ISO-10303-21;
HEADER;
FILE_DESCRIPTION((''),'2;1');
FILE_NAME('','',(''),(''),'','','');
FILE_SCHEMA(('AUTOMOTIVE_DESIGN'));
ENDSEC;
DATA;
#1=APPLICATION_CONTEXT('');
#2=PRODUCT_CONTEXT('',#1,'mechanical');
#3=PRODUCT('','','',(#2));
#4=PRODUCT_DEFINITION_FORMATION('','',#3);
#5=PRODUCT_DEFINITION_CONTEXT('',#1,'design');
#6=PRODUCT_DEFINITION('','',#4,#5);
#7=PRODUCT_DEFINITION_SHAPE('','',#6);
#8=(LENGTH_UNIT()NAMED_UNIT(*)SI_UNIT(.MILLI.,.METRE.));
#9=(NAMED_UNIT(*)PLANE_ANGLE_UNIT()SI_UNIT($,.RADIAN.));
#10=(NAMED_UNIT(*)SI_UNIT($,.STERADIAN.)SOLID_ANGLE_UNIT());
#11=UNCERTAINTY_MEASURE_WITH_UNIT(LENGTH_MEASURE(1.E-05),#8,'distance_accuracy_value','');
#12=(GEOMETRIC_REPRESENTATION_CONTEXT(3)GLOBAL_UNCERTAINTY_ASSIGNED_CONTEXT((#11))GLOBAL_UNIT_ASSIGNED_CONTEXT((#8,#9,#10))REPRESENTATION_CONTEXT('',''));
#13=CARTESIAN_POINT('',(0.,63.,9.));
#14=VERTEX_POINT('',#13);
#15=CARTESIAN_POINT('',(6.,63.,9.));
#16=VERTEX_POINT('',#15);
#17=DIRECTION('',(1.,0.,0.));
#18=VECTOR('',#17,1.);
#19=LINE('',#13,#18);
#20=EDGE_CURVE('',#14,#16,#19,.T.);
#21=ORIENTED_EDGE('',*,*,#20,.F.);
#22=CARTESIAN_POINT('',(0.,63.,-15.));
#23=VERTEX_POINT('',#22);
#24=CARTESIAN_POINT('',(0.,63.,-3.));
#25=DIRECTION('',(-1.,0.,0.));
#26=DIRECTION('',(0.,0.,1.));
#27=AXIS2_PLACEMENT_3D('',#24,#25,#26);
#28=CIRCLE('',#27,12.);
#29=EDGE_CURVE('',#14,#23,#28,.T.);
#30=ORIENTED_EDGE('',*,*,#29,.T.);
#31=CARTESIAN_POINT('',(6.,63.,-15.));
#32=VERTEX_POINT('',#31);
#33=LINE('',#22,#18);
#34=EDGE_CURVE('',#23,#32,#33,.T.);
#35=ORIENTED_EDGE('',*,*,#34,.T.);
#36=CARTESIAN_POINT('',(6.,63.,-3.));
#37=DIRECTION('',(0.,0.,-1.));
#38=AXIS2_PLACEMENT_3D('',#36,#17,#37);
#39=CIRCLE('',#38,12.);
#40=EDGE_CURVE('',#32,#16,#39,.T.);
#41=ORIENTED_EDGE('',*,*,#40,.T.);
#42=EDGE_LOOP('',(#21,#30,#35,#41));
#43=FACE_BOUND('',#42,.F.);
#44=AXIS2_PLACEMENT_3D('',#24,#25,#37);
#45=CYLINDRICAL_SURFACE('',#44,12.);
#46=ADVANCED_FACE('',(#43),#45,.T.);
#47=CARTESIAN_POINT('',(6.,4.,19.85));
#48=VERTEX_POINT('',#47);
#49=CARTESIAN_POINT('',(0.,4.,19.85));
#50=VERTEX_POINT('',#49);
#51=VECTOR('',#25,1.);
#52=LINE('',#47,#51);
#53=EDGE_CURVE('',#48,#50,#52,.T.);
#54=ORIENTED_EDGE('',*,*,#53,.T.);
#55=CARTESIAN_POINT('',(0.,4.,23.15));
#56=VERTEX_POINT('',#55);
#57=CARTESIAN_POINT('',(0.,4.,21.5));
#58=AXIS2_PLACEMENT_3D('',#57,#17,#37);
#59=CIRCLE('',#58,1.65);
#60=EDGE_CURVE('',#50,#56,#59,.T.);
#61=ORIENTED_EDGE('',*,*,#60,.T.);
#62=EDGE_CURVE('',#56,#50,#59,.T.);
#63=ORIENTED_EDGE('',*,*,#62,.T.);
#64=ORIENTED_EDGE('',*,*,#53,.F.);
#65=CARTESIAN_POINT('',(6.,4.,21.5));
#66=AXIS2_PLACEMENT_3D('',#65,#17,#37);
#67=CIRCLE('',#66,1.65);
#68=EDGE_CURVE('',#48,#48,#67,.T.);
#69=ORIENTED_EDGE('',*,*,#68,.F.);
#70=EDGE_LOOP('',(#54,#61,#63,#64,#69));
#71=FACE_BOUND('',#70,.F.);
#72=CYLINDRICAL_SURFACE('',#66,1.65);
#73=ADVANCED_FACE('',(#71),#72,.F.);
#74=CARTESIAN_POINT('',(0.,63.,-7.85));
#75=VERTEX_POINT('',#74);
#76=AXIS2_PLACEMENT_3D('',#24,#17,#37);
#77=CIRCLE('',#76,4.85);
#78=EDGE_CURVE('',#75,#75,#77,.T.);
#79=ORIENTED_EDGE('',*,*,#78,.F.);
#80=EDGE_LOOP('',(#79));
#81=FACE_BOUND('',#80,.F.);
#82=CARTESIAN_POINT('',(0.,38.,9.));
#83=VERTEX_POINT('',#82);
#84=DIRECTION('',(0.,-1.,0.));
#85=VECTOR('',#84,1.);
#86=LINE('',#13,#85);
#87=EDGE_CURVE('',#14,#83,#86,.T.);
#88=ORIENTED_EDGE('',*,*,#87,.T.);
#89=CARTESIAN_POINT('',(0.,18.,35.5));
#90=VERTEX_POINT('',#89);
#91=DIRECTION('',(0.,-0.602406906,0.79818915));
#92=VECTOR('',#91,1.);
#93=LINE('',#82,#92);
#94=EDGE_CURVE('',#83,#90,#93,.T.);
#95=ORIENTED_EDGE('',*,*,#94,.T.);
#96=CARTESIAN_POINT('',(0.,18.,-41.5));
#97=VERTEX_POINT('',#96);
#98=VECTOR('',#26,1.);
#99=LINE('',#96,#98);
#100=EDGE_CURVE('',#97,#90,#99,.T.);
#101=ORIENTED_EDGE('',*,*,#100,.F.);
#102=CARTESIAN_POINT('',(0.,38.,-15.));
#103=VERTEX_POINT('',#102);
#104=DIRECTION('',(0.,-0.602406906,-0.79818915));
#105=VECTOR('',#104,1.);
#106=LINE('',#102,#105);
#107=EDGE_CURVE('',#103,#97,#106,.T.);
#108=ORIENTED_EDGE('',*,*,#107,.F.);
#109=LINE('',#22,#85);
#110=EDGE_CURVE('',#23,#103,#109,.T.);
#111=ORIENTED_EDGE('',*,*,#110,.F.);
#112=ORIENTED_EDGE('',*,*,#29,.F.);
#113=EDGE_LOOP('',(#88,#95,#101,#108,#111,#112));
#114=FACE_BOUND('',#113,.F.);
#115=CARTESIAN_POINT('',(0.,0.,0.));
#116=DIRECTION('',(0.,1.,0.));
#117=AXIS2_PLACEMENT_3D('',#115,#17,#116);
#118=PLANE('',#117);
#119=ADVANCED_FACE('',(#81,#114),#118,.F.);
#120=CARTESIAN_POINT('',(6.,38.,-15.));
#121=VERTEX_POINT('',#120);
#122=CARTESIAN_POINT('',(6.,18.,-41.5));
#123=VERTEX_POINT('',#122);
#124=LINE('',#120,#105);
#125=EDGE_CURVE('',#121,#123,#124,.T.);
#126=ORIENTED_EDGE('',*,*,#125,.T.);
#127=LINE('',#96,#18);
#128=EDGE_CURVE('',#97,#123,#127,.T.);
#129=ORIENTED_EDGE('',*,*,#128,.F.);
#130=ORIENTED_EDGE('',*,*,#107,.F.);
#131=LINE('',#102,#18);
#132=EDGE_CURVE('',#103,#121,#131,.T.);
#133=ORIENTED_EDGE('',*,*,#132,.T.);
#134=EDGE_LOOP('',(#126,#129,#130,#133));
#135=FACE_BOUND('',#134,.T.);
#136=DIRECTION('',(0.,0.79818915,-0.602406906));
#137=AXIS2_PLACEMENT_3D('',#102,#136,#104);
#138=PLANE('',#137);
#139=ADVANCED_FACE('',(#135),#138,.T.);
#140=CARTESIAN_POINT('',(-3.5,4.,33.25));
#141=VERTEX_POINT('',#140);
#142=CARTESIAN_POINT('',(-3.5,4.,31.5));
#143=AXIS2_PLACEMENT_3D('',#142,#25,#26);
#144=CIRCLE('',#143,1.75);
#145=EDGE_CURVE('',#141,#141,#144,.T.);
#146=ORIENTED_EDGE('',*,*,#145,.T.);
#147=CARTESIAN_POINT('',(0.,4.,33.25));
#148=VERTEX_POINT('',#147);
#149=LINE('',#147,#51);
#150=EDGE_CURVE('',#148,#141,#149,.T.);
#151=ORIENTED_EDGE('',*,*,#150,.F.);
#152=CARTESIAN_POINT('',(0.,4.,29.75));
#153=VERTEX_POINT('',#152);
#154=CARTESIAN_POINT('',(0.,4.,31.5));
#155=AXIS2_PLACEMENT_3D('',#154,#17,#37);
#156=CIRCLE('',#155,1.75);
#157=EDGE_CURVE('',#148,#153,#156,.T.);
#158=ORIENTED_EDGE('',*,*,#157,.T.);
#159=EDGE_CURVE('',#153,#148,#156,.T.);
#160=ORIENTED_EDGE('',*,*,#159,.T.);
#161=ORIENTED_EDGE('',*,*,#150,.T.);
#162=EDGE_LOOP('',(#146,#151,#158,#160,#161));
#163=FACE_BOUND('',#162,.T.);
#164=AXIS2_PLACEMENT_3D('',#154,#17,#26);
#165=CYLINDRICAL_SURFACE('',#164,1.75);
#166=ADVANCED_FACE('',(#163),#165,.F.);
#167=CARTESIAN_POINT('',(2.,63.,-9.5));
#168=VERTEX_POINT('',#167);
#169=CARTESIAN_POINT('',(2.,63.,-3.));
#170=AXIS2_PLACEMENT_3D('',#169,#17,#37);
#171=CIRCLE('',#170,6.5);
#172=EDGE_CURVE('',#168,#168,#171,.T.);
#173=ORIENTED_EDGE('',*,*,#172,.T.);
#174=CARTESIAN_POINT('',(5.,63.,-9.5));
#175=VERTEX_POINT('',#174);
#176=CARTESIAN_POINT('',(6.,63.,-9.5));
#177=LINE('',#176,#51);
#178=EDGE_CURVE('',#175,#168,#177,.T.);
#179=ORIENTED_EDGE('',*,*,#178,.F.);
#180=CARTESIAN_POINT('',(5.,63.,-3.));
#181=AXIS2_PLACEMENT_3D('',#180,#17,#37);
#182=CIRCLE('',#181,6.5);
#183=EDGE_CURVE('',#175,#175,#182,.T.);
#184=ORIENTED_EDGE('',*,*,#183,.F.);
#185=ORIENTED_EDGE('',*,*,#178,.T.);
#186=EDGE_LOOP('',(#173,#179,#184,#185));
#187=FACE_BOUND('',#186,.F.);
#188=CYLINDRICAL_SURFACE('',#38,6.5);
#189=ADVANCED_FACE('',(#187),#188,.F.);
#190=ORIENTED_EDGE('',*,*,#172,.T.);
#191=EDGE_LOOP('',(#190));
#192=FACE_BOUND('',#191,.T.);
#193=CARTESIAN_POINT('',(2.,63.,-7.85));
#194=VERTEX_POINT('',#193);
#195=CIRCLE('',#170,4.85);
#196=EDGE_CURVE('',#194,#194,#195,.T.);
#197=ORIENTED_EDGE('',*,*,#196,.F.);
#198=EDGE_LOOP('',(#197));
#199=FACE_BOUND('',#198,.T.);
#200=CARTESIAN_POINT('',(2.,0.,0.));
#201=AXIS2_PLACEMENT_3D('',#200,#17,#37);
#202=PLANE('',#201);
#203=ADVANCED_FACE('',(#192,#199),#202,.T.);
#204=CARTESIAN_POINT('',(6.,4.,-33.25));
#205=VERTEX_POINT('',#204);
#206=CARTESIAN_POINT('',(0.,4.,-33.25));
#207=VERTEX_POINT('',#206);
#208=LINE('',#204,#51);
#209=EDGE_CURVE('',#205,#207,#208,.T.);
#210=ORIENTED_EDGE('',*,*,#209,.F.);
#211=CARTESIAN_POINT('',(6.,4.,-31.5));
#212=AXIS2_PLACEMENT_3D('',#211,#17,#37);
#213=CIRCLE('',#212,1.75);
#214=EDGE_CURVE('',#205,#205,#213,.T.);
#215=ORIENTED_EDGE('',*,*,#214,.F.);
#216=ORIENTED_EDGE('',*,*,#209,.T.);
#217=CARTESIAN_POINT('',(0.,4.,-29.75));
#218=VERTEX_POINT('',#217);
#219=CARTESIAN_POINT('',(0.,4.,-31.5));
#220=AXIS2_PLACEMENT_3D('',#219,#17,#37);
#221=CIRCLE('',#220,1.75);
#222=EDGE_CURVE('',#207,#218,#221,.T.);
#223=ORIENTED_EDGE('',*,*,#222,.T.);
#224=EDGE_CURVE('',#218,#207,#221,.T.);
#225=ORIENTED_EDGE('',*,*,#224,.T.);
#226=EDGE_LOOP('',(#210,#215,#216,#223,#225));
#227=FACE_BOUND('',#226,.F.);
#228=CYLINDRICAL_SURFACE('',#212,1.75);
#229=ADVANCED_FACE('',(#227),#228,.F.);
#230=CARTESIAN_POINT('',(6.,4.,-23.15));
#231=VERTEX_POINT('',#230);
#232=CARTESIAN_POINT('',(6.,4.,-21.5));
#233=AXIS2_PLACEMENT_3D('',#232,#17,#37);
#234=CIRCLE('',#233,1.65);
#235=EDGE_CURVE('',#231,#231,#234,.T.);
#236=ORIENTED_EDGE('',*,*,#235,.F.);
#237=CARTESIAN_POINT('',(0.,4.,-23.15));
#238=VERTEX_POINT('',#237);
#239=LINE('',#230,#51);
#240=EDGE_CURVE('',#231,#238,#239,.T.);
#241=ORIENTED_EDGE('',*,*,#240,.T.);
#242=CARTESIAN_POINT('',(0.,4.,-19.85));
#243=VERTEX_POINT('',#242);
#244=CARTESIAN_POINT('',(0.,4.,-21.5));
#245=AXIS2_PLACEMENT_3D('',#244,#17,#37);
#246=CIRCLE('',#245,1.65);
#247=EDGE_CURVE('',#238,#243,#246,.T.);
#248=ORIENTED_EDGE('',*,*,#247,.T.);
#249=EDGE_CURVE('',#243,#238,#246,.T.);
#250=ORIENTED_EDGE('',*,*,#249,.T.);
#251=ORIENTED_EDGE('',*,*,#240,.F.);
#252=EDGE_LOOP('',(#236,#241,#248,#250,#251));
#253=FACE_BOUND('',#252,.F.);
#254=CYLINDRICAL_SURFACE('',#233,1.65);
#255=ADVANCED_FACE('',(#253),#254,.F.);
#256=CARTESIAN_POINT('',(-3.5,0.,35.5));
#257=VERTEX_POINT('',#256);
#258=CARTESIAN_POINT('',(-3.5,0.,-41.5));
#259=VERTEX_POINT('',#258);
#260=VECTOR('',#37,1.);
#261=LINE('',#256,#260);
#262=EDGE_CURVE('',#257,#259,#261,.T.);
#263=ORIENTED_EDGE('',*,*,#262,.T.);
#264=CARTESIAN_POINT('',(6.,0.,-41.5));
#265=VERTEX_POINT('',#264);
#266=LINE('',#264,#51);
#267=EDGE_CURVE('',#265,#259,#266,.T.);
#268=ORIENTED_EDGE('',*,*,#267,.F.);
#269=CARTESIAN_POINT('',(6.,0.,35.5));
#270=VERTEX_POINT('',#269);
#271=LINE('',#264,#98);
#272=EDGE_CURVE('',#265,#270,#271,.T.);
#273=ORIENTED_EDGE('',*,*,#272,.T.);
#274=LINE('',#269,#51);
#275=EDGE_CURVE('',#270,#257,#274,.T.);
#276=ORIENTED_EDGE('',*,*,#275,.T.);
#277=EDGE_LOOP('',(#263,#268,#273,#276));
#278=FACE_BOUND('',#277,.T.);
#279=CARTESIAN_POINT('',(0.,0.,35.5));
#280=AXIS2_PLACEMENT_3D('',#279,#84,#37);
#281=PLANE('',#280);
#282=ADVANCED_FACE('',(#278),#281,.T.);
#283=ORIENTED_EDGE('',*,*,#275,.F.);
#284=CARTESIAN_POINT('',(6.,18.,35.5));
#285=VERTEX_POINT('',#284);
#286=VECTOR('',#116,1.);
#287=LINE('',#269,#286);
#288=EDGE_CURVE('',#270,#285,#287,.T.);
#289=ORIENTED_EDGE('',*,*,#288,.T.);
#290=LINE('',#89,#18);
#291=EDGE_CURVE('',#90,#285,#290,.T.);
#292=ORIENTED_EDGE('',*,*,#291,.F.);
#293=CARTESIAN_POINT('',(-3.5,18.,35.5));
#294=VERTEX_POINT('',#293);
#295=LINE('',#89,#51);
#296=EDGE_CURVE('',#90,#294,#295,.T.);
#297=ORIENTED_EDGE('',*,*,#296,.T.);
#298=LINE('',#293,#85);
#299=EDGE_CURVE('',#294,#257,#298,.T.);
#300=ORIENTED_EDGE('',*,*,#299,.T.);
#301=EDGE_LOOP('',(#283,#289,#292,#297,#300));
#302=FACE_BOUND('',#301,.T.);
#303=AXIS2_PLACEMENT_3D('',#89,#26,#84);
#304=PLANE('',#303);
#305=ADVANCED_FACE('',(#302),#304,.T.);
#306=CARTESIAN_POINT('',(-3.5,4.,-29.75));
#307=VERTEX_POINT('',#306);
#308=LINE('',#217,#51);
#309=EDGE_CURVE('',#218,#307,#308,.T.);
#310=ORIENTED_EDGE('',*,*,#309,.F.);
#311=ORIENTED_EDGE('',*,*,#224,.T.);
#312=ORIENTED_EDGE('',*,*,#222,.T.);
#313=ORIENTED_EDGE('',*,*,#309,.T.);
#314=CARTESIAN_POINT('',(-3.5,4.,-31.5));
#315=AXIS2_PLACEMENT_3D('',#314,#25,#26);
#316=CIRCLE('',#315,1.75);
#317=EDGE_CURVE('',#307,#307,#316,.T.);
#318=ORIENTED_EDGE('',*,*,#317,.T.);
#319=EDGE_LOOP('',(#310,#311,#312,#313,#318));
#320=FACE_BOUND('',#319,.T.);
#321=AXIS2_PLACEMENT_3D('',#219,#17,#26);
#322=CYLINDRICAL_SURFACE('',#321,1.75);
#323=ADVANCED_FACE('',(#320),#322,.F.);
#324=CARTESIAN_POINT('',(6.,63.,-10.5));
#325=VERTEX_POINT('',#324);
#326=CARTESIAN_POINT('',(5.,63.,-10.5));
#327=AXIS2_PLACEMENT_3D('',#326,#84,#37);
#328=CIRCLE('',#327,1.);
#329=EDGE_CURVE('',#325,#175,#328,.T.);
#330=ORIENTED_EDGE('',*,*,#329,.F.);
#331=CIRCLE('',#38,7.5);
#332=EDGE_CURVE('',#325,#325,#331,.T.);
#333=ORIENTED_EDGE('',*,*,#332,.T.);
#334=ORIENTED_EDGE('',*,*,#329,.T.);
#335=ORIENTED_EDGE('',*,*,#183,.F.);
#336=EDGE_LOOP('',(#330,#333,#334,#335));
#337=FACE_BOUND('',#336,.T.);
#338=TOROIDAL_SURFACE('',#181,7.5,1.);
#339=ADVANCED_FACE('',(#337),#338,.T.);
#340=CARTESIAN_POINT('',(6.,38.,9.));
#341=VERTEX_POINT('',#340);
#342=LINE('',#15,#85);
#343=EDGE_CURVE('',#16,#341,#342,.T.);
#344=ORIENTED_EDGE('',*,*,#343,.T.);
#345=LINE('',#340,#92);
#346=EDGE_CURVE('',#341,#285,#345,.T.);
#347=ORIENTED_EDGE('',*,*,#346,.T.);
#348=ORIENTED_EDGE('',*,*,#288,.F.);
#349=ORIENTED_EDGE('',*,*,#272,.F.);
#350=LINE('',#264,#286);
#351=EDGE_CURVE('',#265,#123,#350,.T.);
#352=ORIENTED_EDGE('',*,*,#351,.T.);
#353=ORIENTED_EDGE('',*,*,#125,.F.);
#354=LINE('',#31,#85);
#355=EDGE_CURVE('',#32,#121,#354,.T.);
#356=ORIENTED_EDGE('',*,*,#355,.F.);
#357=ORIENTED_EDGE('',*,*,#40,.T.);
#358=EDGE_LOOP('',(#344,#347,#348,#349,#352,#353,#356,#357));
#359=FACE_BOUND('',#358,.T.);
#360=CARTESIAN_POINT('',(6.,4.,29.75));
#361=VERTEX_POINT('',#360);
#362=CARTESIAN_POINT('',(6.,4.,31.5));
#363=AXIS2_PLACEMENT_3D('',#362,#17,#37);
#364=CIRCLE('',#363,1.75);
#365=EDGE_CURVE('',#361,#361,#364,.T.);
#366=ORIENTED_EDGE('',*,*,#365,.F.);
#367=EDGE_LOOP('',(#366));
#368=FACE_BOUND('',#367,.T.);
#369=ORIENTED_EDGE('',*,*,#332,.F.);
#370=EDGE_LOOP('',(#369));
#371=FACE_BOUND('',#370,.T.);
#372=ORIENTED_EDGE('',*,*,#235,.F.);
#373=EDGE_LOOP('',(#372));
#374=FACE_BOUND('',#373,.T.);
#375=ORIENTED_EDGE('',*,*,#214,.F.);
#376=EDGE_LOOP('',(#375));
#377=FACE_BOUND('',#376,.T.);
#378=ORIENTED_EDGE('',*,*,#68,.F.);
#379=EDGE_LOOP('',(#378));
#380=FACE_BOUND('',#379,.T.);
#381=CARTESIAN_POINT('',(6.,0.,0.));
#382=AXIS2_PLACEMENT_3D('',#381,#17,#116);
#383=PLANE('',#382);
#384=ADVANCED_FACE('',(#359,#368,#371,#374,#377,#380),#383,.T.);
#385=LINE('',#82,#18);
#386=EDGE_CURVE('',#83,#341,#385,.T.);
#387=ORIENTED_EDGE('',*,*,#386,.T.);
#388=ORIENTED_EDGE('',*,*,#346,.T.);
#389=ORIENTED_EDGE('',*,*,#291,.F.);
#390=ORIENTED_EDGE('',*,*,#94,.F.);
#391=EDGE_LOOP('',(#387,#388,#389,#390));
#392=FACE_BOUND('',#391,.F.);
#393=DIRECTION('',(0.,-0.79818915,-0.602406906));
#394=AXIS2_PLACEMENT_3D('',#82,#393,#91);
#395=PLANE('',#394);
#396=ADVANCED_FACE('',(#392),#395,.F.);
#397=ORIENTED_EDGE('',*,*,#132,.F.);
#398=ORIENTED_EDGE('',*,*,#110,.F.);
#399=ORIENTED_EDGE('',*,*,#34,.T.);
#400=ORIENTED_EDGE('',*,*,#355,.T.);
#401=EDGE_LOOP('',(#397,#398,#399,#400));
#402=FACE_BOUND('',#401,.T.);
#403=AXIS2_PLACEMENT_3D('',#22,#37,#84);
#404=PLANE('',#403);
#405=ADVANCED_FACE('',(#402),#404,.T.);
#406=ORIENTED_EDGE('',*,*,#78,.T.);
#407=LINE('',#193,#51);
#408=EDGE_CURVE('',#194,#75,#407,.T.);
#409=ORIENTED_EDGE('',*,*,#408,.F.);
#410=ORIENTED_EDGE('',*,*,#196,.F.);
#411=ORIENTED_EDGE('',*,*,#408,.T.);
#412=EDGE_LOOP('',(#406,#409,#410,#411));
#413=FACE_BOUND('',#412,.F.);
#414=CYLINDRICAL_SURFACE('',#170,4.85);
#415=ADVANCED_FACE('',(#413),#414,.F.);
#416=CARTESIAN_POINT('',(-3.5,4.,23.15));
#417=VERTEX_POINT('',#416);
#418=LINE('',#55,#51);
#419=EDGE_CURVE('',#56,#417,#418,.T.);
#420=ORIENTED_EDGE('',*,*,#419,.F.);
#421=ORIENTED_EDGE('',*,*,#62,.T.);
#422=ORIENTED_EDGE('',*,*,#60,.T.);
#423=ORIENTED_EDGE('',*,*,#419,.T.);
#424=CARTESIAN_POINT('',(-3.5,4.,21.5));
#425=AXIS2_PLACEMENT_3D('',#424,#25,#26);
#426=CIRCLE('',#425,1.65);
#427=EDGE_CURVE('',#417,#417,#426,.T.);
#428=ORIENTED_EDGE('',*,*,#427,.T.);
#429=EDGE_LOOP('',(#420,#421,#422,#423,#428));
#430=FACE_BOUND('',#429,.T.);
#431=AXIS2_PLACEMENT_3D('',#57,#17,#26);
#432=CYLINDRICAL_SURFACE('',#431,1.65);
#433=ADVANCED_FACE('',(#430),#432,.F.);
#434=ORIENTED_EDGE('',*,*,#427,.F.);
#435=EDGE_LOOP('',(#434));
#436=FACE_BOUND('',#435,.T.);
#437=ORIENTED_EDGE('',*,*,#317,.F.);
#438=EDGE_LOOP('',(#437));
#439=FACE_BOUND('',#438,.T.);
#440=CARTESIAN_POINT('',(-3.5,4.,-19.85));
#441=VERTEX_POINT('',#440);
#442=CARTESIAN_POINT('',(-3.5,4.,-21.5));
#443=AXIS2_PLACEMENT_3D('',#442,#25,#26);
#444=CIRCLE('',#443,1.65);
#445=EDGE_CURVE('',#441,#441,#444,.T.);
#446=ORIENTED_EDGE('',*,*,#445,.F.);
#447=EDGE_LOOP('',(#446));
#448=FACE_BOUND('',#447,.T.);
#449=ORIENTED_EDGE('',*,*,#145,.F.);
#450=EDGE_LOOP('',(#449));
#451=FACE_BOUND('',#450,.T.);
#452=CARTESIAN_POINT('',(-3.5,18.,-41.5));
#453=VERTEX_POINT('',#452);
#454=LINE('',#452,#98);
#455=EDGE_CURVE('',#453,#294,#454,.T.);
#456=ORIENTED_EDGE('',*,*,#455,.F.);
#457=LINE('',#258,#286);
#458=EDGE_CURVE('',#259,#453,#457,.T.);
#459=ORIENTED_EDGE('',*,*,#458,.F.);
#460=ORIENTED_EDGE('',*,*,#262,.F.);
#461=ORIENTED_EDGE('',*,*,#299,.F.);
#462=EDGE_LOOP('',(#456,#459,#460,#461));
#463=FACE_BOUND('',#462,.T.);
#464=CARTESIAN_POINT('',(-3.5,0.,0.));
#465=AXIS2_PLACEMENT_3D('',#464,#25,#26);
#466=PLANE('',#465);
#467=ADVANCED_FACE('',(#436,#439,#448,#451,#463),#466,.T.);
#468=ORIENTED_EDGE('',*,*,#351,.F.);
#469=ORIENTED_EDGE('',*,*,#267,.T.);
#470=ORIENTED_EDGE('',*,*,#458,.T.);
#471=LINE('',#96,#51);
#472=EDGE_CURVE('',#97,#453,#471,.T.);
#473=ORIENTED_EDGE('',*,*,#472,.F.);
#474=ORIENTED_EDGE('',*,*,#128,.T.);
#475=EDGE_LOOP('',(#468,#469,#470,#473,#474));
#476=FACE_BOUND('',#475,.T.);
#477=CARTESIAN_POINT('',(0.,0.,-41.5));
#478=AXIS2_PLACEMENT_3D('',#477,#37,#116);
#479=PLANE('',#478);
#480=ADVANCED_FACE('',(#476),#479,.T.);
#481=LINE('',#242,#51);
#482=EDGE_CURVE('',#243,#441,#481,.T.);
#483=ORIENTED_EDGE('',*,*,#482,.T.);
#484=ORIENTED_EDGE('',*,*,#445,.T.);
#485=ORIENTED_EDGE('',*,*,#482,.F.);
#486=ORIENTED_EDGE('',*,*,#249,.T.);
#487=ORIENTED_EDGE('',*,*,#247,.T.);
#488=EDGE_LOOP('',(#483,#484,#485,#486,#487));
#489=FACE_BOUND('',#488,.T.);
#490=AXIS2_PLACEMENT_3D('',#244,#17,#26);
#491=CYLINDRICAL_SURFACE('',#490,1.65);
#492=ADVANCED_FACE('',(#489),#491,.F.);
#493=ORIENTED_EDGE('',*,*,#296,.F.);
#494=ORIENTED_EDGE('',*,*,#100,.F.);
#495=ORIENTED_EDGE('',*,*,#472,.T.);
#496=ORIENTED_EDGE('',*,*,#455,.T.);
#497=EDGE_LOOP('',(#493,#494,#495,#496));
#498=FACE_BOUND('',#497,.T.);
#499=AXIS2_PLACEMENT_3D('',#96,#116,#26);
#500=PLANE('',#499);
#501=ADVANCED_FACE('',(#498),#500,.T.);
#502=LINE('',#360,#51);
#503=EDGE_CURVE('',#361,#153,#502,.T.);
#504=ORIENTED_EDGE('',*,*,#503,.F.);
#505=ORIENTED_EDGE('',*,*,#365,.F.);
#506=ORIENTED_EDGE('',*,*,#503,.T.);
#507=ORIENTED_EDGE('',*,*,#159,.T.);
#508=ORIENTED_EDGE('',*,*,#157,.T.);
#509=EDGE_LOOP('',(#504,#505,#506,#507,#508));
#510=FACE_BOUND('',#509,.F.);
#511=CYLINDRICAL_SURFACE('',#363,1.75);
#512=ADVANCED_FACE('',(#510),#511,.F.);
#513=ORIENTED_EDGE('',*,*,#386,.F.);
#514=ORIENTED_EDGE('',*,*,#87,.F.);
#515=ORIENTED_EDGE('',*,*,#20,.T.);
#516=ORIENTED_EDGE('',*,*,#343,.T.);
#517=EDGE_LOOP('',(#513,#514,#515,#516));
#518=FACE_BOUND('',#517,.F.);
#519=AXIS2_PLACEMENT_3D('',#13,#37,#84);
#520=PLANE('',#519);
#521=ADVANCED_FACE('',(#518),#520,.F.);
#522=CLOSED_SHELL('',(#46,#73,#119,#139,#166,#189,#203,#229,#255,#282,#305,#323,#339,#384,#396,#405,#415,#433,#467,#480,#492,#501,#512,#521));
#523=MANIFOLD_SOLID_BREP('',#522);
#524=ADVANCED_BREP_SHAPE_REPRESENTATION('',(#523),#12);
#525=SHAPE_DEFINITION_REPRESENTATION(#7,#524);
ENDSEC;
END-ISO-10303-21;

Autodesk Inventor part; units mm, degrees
ref_plane "YZ Plane" through (0, 0, 0) normal (1, 0, 0) x (0, 1, 0)
ref_plane "XZ Plane" through (0, 0, 0) normal (0, 1, 0) x (-1, 0, 0)
ref_plane "XY Plane" through (0, 0, 0) normal (0, 0, 1) x (1, 0, 0)
sketch "스케치1" plane through (0, 0, 0) normal (1, 0, 0) x (0, 1, 0)
  line L0 (0, -41.5) -> (18, -41.5)
  line L1 (18, -41.5) -> (18, 59.6584) construction
  line L2 (0, 0) -> (0, -41.5)
  line L3 (84.3904, -3) -> (-15.1692, -3) construction
  arc A0 (63, -15) -> (75, -3) centre (63, -3) ccw
  line L4 (63, -15) -> (38, -15)
  line L5 (38, -15) -> (18, -41.5)
  line L6 (0, 35.5) -> (18, 35.5)
  line L7 (0, 0) -> (0, 35.5)
  arc A1 (75, -3) -> (63, 9) centre (63, -3) ccw
  line L8 (63, 9) -> (38, 9)
  line L9 (38, 9) -> (18, 35.5)
  dimension "d0" = 18
  dimension "d8" = 45
  dimension "d9" = 25
  dimension "d32" = 12
extrude "돌출1" add sketch "스케치1" along normal blind 6
sketch "스케치2" plane through (6, 0, 0) normal (1, 0, 0) x (0, 0, -1)
  line L0 (-58.8675, 4) -> (65.7315, 4) construction
  line L1 (-35.5, 0) -> (41.5, 0) projected
  circle A0 centre (31.5, 4) radius 1.75
  circle A1 centre (21.5, 4) radius 1.65
  line L2 (41.5, 0) -> (41.5, 18) projected
  line L3 (0, 13.8041) -> (0, -7.7982) construction
  circle A2 centre (-31.5, 4) radius 1.75
  circle A3 centre (-21.5, 4) radius 1.65
  point P0 (0, 0)
  dimension "d12" = 4
  dimension "d13" = 3.5
  dimension "d14" = 3.3
  dimension "d15" = 10
  dimension "d16" = 20
extrude "돌출2" cut sketch "스케치2" against normal blind 6
sketch "스케치4" plane through (6, 0, 0) normal (1, 0, 0) x (0, 0, -1)
  arc A0 (15, 63) -> (-9, 63) centre (3, 63) ccw projected
  circle A1 centre (3, 63) radius 6.5
  point P0 (0, 0)
  dimension "d25" = 13
extrude "돌출4" cut sketch "스케치4" against normal blind 4
sketch "스케치5" plane through (2, 63, -3) normal (1, 0, 0) x (0, 0, -1)
  circle A0 centre (0, 0) radius 4.85
  point P0 (-3, -63)
  dimension "d28" = 9.7
extrude "돌출5" cut sketch "스케치5" against normal blind 2
fillet "모깎기1" radius 1 1 edges at (6, 63, 3.5)
sketch "스케치6" plane through (0, 0, 0) normal (-1, 0, 0) x (0, 0, 1)
  line L0 (-41.5, 0) -> (-41.5, 18) projected
  line L1 (35.5, 0) -> (-41.5, 0) projected
  line L2 (-41.5, 18) -> (35.5, 18)
  line L3 (35.5, 18) -> (35.5, 0)
  line L4 (35.5, 0) -> (-41.5, 0)
  line L5 (-41.5, 0) -> (-41.5, 18)
  circle A0 centre (-31.5, 4) radius 1.75 projected
  circle A1 centre (-31.5, 4) radius 1.75
  circle A2 centre (-21.5, 4) radius 1.65 projected
  circle A3 centre (-21.5, 4) radius 1.65
  circle A4 centre (21.5, 4) radius 1.65 projected
  circle A5 centre (21.5, 4) radius 1.65
  circle A6 centre (31.5, 4) radius 1.75 projected
  circle A7 centre (31.5, 4) radius 1.75
  point P0 (0, 0)
extrude "돌출6" add sketch "스케치6" along normal blind 3.5
properties part number "탑(옆면수정)"
